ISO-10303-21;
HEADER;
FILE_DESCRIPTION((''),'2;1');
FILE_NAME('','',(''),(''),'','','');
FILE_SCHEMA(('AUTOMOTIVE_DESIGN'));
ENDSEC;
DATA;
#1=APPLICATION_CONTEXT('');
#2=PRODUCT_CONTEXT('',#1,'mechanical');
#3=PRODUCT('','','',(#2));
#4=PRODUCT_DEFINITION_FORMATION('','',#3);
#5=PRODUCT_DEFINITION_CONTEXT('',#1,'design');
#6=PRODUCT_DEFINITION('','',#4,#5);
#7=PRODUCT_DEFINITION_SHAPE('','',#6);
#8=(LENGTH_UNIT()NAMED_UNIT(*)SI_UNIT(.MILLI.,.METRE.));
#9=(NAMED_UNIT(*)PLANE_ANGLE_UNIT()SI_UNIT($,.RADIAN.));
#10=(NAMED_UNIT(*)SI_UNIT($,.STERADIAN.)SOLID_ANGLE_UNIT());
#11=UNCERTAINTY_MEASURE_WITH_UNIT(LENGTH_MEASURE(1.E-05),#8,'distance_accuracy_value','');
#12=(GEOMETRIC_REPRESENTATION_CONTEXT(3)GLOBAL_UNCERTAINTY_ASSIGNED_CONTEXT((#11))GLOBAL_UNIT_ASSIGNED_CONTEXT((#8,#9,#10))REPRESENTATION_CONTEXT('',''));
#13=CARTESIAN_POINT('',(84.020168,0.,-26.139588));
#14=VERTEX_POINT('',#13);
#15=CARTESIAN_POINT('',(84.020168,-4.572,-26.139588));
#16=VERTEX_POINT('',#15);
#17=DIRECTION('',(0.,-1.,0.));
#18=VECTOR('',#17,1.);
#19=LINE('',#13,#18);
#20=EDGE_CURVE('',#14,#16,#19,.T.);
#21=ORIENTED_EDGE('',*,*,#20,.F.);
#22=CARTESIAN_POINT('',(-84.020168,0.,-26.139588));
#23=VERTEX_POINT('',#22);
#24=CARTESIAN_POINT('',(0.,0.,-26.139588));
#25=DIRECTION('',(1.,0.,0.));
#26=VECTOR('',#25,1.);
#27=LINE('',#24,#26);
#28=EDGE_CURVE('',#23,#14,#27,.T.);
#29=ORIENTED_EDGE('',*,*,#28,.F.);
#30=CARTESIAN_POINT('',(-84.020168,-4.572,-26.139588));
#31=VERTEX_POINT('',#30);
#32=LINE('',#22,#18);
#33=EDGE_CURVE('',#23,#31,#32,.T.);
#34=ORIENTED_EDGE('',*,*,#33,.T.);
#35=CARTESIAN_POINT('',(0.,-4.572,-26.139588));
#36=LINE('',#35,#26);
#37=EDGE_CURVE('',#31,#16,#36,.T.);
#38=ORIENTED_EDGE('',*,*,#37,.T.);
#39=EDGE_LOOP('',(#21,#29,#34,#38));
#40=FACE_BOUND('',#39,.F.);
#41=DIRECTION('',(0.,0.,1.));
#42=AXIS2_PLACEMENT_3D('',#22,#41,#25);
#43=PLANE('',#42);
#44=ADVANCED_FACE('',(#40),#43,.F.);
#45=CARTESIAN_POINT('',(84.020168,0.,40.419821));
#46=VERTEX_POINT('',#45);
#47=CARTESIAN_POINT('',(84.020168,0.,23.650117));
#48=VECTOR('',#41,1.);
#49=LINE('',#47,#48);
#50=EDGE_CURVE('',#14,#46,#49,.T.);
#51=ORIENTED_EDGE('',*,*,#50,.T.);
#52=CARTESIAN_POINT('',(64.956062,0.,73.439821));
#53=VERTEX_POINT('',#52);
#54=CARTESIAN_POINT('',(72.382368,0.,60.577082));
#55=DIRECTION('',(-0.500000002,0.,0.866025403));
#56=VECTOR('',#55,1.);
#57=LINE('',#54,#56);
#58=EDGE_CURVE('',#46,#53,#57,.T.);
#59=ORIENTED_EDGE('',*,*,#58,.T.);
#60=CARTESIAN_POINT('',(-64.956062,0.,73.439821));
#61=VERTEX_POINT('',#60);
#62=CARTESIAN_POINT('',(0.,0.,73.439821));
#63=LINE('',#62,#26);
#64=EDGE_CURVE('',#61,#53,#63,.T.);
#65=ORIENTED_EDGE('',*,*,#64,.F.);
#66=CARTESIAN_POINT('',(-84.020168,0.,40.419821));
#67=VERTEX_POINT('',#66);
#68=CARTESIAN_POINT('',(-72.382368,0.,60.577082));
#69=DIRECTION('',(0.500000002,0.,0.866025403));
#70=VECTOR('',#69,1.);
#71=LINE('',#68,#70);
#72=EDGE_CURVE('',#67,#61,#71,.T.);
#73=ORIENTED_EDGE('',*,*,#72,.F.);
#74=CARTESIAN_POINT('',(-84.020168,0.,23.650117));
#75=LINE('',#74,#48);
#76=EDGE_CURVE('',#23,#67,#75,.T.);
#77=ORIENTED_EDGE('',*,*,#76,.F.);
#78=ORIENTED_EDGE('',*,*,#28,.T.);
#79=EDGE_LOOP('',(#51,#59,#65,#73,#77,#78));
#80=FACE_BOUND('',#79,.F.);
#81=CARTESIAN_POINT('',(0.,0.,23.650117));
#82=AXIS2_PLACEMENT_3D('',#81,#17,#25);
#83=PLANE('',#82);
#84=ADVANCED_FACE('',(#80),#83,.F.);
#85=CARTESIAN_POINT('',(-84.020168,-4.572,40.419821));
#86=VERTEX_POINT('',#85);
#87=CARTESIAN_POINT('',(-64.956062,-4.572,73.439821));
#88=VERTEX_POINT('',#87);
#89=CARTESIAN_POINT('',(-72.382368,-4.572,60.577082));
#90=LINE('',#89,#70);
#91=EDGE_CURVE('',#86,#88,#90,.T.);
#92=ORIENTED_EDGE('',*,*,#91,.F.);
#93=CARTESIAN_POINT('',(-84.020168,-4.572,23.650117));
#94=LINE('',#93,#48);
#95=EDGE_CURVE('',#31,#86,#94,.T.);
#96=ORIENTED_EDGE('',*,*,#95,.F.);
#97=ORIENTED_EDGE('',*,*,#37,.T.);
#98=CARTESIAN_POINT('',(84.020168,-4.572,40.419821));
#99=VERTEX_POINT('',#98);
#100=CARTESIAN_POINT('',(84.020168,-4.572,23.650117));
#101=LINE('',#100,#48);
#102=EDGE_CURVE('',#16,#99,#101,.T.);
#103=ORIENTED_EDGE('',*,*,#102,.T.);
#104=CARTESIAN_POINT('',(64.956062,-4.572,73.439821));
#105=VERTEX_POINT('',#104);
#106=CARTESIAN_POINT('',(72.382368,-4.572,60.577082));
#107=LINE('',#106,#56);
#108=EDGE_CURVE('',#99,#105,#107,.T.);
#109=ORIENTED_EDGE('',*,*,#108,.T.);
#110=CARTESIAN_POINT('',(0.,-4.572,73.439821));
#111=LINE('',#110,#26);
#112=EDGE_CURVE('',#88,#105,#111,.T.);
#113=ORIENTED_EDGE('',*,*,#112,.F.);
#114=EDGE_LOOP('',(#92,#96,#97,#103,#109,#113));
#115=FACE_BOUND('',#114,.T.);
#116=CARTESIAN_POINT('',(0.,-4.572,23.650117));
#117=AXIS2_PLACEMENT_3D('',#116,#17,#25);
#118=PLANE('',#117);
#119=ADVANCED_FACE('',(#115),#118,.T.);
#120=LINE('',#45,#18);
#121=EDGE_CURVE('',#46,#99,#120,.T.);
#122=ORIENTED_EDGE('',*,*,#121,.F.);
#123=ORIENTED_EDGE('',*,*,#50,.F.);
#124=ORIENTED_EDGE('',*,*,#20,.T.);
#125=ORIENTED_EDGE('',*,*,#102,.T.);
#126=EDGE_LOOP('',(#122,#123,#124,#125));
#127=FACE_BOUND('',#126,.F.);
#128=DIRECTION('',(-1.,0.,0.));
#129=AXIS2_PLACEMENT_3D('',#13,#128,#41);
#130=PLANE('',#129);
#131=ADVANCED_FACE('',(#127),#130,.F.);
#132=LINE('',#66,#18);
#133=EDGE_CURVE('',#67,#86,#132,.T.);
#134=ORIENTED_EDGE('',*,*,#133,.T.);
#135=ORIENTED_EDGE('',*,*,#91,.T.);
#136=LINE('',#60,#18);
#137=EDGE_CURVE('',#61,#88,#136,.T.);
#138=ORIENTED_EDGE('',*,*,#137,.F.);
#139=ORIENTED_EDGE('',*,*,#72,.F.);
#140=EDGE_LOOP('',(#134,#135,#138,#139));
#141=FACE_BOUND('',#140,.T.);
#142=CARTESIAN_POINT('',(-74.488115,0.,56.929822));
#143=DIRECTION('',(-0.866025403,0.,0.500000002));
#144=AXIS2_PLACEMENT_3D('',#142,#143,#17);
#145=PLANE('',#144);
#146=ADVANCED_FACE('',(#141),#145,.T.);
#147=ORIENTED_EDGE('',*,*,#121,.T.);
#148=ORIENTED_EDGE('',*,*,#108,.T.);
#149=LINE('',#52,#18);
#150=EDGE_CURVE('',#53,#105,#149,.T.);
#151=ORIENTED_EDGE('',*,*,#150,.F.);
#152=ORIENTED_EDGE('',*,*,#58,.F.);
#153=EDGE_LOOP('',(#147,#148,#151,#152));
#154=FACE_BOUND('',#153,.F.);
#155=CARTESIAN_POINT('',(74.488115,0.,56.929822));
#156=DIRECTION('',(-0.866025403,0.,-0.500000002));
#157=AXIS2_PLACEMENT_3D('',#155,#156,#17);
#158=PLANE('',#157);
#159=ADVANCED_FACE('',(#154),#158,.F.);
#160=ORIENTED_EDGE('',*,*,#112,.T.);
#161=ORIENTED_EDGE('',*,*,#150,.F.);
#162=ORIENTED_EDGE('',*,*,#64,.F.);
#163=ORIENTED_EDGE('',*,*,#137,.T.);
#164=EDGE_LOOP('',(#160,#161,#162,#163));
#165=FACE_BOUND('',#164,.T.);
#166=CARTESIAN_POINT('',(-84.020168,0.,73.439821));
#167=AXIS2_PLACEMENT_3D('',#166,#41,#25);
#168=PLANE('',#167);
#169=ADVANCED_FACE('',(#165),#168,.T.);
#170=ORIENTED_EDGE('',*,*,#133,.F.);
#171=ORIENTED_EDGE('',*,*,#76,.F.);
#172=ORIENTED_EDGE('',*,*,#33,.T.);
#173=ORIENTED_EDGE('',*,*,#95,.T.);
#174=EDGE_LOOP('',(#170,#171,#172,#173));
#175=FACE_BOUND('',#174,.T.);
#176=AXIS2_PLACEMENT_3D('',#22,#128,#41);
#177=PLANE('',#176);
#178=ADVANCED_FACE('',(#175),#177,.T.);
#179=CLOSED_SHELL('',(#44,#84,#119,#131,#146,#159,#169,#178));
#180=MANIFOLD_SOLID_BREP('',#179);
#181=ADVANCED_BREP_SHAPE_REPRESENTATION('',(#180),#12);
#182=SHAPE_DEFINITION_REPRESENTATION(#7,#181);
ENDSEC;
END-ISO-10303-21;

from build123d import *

# Parameters (mm, degrees)
F0_W     = 168.040336
F0_H     = 99.579409
F1_DEPTH = 4.572
F2_SIZE2 = 19.064106
F2_SIZE  = 33.02


with BuildPart() as f1:
    # F0 (on Front) → F1 (new body)
    with BuildSketch(Plane.XZ):
        with Locations((0, 23.650117)):
            Rectangle(F0_W, F0_H)
    extrude(amount=F1_DEPTH)

    # F2
    f2_edges = [f1.edges().sort_by_distance(p)[0] for p in [
        (-84.020168, -2.286, 73.439822),
        (84.020168, -2.286, 73.439822),
    ]]
    chamfer(f2_edges, length=F2_SIZE, length2=F2_SIZE2)


solid = f1.part
